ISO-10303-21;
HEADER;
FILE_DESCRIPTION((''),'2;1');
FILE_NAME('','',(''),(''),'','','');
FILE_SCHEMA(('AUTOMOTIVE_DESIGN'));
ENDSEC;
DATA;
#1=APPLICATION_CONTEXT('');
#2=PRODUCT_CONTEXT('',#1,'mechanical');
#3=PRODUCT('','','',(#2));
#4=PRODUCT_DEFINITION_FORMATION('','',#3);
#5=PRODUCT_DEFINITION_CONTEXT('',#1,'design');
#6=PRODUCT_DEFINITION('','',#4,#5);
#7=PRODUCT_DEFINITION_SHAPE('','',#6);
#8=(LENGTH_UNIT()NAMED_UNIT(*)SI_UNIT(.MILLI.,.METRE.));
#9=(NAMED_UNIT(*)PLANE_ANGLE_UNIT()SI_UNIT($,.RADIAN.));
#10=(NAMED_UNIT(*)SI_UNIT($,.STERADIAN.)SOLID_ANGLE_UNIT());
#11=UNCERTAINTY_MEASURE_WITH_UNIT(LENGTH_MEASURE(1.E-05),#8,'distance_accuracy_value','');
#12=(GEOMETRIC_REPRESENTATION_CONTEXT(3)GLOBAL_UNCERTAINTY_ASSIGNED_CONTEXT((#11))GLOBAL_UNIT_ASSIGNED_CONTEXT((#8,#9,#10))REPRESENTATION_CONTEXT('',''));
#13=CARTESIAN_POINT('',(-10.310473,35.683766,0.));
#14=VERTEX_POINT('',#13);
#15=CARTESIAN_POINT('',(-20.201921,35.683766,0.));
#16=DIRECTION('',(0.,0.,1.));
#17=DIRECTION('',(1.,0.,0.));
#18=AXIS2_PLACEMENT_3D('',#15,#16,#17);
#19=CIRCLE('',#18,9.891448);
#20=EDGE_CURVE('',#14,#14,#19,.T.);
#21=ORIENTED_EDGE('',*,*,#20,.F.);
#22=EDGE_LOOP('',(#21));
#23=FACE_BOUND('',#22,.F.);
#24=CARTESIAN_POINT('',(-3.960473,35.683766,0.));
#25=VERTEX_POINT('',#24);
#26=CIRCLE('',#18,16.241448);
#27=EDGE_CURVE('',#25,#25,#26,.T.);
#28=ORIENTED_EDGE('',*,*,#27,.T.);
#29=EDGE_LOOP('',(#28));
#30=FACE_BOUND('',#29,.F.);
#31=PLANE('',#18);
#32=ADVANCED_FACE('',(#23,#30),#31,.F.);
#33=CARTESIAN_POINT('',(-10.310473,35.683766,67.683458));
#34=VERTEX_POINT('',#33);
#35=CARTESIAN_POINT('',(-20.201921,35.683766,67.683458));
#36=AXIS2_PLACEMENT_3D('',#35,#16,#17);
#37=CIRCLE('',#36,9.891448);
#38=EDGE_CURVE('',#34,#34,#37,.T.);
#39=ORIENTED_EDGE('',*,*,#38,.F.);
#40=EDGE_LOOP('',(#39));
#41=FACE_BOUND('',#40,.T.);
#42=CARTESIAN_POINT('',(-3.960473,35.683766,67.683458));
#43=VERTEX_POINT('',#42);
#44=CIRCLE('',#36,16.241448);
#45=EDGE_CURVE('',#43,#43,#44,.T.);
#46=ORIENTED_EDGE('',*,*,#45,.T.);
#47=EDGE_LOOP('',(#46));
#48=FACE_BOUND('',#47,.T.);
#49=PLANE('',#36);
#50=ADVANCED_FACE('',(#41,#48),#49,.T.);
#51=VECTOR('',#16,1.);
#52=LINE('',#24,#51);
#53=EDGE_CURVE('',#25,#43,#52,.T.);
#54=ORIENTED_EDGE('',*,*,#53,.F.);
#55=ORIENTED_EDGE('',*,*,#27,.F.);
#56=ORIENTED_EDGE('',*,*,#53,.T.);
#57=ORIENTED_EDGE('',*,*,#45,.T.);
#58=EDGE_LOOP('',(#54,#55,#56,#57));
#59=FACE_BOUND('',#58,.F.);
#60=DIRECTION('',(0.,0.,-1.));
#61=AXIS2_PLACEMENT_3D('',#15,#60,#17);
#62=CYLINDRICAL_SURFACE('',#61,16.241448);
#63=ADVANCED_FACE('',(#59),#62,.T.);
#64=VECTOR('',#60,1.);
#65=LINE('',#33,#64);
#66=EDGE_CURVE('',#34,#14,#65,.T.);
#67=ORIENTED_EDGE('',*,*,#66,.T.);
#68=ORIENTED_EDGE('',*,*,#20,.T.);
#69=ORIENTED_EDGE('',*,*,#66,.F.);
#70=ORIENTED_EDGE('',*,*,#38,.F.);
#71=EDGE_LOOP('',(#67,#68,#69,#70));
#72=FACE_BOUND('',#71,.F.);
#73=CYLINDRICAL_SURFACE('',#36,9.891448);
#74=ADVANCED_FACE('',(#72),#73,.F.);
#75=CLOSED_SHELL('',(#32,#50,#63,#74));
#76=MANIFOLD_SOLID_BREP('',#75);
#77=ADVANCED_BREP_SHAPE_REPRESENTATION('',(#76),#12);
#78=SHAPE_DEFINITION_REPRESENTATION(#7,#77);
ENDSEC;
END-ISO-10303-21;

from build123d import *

# Parameters (mm, degrees)
F0_R       = 16.24144802
F0_R_2     = 15.9725551456
F1_DEPTH   = 67.6834583282
F2_R       = 9.89144802
F1_FACE1_R = 16.24144802
F3_DEPTH   = 67.6844583282


with BuildPart() as f1:
    # F0 (on Top) → F1 (new body)
    with BuildSketch(Plane.XY):
        with Locations((-20.201921463, 35.6837660074)):
            Circle(F0_R)
        with Locations((-20.201921463, 35.6837660074)):
            Circle(F0_R_2, mode=Mode.SUBTRACT)
        with Locations((-20.201921463, 35.6837660074)):
            Circle(F0_R_2)
    extrude(amount=F1_DEPTH)

    # F2 (on face) + F1_face1 (on face) → F3 (cut, through all)
    with BuildSketch(Plane.XY.offset(67.6834583282)):
        with Locations((-20.201921463, 35.6837660074)):
            Circle(F2_R)
    with BuildSketch(Plane(origin=(-20.201921463, 35.6837660074, 0), x_dir=(1, 0, 0), z_dir=(0, 0, -1))):
        Circle(F1_FACE1_R)
    extrude(amount=-F3_DEPTH, dir=(0, 0, 1), mode=Mode.SUBTRACT)


solid = f1.part
